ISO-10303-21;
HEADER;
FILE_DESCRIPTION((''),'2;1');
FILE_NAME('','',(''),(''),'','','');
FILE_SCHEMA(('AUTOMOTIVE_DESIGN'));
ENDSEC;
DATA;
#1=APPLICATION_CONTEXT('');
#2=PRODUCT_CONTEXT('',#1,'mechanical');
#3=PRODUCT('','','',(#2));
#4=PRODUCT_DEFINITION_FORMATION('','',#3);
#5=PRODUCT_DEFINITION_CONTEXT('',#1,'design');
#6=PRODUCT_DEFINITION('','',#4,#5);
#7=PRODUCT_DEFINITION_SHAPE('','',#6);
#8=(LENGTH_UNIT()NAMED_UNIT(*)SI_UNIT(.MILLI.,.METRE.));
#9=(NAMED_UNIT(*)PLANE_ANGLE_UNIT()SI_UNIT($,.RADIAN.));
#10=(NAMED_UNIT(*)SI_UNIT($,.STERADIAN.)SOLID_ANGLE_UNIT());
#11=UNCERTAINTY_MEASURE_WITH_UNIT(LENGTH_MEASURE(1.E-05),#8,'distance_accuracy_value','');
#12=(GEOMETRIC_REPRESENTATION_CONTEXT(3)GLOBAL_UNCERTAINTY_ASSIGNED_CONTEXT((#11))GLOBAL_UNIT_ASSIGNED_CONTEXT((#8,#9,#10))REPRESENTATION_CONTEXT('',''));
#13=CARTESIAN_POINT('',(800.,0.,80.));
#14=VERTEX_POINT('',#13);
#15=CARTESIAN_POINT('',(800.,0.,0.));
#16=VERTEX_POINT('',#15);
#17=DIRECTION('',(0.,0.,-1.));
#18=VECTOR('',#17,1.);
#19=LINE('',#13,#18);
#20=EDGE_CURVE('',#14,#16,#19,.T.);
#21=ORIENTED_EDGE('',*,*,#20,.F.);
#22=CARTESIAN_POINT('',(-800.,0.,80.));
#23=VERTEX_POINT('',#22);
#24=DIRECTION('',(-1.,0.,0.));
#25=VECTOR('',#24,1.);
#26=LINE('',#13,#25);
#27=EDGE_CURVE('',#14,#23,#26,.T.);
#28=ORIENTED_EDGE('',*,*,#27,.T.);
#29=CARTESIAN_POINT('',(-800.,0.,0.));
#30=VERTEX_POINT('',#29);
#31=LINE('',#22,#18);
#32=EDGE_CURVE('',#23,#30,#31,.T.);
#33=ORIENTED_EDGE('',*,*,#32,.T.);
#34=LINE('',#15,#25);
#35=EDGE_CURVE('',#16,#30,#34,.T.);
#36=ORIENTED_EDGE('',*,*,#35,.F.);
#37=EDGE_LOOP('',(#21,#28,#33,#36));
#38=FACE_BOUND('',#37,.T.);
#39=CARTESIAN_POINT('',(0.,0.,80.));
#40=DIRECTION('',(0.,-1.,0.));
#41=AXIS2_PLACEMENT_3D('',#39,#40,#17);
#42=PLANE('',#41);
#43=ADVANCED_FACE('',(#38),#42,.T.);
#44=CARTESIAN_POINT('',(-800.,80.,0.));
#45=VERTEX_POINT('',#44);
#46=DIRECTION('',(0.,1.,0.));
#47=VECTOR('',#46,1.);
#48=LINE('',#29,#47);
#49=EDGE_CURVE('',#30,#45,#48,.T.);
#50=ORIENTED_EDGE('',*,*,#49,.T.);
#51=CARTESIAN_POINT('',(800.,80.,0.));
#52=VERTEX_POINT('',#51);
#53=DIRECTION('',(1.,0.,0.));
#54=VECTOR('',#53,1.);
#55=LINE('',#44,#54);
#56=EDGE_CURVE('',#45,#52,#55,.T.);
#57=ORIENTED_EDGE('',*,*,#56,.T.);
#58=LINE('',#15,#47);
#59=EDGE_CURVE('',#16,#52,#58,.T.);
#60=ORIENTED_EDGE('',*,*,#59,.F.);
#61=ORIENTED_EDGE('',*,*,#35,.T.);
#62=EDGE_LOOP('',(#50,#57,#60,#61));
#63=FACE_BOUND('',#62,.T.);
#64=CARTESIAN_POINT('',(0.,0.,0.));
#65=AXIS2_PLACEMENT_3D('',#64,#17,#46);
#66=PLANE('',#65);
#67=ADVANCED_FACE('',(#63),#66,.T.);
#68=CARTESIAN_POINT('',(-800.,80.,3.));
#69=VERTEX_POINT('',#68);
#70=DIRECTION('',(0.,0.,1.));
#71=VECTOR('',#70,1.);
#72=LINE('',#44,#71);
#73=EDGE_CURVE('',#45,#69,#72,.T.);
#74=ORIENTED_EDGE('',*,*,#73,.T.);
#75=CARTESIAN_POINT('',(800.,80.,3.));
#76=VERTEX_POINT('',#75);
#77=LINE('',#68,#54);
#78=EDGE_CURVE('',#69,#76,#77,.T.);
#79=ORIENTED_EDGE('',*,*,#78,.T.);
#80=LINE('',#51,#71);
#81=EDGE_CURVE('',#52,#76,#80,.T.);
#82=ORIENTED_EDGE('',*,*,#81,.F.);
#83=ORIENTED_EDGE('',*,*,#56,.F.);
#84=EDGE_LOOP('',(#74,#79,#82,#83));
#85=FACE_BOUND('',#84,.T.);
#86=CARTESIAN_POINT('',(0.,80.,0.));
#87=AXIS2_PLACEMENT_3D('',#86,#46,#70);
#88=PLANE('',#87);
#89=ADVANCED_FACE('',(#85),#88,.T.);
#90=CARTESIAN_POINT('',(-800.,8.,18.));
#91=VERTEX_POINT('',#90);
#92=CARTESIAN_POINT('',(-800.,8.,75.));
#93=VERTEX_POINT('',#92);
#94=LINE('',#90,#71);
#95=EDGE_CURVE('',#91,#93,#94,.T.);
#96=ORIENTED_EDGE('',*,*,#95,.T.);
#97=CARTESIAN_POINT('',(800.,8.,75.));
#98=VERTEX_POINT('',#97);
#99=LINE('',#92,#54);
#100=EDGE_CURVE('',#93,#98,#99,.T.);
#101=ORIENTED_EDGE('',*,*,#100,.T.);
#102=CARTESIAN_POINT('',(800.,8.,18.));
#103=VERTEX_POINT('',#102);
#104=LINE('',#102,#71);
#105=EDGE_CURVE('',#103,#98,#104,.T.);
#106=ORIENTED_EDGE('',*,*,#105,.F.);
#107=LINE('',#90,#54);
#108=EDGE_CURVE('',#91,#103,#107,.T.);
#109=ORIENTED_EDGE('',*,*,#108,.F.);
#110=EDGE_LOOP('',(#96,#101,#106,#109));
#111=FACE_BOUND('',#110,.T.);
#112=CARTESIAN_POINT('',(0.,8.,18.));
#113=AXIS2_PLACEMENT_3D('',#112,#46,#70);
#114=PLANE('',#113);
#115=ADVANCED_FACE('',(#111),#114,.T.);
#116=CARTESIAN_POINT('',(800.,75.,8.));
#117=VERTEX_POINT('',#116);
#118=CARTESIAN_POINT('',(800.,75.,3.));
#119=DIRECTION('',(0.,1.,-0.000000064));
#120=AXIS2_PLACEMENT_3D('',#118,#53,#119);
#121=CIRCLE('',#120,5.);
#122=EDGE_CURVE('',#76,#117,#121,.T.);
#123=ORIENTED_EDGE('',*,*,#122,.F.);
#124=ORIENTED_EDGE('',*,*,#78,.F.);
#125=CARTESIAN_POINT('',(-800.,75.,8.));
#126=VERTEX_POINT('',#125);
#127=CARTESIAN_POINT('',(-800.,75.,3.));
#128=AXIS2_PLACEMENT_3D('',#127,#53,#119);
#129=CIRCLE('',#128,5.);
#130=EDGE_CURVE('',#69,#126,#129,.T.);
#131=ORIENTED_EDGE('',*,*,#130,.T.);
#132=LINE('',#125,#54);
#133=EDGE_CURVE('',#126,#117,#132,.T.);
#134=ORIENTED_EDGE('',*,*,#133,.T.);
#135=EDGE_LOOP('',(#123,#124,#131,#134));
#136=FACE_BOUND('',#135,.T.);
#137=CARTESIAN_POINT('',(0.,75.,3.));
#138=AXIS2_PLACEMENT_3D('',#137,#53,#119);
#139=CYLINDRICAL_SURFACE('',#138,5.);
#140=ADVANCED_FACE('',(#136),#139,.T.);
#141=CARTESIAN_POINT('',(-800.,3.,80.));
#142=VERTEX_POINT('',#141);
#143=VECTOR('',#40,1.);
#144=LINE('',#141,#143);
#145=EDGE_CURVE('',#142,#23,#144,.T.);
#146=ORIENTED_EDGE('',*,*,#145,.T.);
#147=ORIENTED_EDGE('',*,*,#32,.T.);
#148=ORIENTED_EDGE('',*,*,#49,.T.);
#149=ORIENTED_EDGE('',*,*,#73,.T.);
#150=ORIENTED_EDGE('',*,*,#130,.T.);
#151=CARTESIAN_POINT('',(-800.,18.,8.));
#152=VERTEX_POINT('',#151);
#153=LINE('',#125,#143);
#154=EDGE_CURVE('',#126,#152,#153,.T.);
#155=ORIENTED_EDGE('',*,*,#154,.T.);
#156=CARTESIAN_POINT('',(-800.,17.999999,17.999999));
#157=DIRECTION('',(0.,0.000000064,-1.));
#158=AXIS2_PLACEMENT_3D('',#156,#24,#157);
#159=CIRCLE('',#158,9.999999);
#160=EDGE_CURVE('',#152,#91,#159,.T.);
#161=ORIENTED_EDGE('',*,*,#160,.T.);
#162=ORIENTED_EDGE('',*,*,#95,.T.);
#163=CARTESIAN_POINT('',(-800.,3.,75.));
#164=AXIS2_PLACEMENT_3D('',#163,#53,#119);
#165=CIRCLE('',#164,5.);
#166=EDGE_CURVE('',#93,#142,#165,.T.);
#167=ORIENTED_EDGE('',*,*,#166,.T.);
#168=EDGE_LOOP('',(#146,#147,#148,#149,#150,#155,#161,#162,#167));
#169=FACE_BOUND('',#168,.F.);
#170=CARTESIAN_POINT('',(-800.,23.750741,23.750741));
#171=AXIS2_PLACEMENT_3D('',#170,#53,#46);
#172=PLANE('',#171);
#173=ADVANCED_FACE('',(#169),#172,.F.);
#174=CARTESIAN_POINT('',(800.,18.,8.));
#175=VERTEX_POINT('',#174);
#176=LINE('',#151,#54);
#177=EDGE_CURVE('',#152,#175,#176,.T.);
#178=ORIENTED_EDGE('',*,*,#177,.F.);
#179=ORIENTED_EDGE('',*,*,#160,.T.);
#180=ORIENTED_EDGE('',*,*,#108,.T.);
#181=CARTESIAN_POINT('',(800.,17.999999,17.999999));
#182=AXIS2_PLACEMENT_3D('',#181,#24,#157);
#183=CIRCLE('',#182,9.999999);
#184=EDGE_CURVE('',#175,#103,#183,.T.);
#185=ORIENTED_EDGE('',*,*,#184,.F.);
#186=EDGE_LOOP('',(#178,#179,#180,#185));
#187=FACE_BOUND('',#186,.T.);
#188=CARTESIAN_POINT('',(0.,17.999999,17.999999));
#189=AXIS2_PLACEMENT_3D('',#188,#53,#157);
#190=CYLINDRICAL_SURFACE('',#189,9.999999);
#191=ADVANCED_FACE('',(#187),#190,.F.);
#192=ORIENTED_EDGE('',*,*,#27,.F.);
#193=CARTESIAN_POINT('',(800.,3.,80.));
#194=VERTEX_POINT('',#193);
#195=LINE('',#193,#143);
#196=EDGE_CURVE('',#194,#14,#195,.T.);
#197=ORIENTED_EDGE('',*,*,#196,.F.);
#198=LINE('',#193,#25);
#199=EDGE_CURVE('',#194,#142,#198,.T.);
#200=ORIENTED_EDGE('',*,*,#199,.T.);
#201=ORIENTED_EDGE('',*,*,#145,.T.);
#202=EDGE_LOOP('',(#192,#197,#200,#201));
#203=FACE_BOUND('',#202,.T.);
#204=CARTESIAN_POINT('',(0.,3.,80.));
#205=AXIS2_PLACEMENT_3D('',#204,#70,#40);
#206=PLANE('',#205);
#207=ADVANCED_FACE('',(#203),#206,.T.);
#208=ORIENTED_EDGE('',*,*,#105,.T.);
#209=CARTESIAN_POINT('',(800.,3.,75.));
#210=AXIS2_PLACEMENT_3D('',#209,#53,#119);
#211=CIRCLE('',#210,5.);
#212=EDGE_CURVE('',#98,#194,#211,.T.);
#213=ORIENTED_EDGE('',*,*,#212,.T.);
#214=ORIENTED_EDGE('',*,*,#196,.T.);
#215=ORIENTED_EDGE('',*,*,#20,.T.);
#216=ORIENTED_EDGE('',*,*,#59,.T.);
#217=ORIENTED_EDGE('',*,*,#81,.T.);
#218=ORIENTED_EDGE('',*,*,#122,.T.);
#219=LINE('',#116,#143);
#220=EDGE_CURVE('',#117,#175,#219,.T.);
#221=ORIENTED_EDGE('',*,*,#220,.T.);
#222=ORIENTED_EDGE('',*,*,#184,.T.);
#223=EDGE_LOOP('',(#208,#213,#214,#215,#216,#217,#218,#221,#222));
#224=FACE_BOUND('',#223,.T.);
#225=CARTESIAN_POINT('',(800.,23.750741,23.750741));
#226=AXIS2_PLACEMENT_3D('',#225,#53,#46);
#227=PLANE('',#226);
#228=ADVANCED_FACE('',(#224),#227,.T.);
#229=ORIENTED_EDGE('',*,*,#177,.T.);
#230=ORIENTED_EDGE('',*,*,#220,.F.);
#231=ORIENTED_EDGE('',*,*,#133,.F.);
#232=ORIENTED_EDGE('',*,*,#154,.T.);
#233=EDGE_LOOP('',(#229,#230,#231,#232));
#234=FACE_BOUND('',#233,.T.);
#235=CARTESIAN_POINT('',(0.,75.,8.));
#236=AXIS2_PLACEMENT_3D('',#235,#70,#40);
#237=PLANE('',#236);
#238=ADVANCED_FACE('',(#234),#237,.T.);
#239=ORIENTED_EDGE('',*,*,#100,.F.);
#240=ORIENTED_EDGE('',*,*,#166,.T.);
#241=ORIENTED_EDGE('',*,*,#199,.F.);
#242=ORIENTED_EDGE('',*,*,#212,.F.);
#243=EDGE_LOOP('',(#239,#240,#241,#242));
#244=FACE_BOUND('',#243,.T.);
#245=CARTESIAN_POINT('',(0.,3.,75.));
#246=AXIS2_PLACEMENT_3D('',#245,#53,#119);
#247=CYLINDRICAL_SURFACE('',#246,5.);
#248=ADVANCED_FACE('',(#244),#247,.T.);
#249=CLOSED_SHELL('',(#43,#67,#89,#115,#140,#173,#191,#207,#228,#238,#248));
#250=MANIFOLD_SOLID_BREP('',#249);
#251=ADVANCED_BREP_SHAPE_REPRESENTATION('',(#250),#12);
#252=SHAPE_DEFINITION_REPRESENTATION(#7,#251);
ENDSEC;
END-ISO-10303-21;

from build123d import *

# Parameters (mm, degrees)
F1_DEPTH = 800


with BuildPart() as f1:
    # F0 (on Right) → F1 (new body, symmetric)
    with BuildSketch(Plane.YZ):
        with BuildLine():
            Line((0, 0), (80, 0))
            Line((80, 0), (80, 3))
            ThreePointArc((80, 3), (78.535534, 6.535534), (75, 8))
            Line((75, 8), (18, 8))
            ThreePointArc((18, 8), (10.928932, 10.928932), (8, 18))
            Line((8, 18), (8, 75))
            ThreePointArc((8, 75), (6.535534, 78.535534), (3, 80))
            Line((3, 80), (0, 80))
            Line((0, 80), (0, 0))
        make_face()
    extrude(amount=F1_DEPTH, both=True)


solid = f1.part
